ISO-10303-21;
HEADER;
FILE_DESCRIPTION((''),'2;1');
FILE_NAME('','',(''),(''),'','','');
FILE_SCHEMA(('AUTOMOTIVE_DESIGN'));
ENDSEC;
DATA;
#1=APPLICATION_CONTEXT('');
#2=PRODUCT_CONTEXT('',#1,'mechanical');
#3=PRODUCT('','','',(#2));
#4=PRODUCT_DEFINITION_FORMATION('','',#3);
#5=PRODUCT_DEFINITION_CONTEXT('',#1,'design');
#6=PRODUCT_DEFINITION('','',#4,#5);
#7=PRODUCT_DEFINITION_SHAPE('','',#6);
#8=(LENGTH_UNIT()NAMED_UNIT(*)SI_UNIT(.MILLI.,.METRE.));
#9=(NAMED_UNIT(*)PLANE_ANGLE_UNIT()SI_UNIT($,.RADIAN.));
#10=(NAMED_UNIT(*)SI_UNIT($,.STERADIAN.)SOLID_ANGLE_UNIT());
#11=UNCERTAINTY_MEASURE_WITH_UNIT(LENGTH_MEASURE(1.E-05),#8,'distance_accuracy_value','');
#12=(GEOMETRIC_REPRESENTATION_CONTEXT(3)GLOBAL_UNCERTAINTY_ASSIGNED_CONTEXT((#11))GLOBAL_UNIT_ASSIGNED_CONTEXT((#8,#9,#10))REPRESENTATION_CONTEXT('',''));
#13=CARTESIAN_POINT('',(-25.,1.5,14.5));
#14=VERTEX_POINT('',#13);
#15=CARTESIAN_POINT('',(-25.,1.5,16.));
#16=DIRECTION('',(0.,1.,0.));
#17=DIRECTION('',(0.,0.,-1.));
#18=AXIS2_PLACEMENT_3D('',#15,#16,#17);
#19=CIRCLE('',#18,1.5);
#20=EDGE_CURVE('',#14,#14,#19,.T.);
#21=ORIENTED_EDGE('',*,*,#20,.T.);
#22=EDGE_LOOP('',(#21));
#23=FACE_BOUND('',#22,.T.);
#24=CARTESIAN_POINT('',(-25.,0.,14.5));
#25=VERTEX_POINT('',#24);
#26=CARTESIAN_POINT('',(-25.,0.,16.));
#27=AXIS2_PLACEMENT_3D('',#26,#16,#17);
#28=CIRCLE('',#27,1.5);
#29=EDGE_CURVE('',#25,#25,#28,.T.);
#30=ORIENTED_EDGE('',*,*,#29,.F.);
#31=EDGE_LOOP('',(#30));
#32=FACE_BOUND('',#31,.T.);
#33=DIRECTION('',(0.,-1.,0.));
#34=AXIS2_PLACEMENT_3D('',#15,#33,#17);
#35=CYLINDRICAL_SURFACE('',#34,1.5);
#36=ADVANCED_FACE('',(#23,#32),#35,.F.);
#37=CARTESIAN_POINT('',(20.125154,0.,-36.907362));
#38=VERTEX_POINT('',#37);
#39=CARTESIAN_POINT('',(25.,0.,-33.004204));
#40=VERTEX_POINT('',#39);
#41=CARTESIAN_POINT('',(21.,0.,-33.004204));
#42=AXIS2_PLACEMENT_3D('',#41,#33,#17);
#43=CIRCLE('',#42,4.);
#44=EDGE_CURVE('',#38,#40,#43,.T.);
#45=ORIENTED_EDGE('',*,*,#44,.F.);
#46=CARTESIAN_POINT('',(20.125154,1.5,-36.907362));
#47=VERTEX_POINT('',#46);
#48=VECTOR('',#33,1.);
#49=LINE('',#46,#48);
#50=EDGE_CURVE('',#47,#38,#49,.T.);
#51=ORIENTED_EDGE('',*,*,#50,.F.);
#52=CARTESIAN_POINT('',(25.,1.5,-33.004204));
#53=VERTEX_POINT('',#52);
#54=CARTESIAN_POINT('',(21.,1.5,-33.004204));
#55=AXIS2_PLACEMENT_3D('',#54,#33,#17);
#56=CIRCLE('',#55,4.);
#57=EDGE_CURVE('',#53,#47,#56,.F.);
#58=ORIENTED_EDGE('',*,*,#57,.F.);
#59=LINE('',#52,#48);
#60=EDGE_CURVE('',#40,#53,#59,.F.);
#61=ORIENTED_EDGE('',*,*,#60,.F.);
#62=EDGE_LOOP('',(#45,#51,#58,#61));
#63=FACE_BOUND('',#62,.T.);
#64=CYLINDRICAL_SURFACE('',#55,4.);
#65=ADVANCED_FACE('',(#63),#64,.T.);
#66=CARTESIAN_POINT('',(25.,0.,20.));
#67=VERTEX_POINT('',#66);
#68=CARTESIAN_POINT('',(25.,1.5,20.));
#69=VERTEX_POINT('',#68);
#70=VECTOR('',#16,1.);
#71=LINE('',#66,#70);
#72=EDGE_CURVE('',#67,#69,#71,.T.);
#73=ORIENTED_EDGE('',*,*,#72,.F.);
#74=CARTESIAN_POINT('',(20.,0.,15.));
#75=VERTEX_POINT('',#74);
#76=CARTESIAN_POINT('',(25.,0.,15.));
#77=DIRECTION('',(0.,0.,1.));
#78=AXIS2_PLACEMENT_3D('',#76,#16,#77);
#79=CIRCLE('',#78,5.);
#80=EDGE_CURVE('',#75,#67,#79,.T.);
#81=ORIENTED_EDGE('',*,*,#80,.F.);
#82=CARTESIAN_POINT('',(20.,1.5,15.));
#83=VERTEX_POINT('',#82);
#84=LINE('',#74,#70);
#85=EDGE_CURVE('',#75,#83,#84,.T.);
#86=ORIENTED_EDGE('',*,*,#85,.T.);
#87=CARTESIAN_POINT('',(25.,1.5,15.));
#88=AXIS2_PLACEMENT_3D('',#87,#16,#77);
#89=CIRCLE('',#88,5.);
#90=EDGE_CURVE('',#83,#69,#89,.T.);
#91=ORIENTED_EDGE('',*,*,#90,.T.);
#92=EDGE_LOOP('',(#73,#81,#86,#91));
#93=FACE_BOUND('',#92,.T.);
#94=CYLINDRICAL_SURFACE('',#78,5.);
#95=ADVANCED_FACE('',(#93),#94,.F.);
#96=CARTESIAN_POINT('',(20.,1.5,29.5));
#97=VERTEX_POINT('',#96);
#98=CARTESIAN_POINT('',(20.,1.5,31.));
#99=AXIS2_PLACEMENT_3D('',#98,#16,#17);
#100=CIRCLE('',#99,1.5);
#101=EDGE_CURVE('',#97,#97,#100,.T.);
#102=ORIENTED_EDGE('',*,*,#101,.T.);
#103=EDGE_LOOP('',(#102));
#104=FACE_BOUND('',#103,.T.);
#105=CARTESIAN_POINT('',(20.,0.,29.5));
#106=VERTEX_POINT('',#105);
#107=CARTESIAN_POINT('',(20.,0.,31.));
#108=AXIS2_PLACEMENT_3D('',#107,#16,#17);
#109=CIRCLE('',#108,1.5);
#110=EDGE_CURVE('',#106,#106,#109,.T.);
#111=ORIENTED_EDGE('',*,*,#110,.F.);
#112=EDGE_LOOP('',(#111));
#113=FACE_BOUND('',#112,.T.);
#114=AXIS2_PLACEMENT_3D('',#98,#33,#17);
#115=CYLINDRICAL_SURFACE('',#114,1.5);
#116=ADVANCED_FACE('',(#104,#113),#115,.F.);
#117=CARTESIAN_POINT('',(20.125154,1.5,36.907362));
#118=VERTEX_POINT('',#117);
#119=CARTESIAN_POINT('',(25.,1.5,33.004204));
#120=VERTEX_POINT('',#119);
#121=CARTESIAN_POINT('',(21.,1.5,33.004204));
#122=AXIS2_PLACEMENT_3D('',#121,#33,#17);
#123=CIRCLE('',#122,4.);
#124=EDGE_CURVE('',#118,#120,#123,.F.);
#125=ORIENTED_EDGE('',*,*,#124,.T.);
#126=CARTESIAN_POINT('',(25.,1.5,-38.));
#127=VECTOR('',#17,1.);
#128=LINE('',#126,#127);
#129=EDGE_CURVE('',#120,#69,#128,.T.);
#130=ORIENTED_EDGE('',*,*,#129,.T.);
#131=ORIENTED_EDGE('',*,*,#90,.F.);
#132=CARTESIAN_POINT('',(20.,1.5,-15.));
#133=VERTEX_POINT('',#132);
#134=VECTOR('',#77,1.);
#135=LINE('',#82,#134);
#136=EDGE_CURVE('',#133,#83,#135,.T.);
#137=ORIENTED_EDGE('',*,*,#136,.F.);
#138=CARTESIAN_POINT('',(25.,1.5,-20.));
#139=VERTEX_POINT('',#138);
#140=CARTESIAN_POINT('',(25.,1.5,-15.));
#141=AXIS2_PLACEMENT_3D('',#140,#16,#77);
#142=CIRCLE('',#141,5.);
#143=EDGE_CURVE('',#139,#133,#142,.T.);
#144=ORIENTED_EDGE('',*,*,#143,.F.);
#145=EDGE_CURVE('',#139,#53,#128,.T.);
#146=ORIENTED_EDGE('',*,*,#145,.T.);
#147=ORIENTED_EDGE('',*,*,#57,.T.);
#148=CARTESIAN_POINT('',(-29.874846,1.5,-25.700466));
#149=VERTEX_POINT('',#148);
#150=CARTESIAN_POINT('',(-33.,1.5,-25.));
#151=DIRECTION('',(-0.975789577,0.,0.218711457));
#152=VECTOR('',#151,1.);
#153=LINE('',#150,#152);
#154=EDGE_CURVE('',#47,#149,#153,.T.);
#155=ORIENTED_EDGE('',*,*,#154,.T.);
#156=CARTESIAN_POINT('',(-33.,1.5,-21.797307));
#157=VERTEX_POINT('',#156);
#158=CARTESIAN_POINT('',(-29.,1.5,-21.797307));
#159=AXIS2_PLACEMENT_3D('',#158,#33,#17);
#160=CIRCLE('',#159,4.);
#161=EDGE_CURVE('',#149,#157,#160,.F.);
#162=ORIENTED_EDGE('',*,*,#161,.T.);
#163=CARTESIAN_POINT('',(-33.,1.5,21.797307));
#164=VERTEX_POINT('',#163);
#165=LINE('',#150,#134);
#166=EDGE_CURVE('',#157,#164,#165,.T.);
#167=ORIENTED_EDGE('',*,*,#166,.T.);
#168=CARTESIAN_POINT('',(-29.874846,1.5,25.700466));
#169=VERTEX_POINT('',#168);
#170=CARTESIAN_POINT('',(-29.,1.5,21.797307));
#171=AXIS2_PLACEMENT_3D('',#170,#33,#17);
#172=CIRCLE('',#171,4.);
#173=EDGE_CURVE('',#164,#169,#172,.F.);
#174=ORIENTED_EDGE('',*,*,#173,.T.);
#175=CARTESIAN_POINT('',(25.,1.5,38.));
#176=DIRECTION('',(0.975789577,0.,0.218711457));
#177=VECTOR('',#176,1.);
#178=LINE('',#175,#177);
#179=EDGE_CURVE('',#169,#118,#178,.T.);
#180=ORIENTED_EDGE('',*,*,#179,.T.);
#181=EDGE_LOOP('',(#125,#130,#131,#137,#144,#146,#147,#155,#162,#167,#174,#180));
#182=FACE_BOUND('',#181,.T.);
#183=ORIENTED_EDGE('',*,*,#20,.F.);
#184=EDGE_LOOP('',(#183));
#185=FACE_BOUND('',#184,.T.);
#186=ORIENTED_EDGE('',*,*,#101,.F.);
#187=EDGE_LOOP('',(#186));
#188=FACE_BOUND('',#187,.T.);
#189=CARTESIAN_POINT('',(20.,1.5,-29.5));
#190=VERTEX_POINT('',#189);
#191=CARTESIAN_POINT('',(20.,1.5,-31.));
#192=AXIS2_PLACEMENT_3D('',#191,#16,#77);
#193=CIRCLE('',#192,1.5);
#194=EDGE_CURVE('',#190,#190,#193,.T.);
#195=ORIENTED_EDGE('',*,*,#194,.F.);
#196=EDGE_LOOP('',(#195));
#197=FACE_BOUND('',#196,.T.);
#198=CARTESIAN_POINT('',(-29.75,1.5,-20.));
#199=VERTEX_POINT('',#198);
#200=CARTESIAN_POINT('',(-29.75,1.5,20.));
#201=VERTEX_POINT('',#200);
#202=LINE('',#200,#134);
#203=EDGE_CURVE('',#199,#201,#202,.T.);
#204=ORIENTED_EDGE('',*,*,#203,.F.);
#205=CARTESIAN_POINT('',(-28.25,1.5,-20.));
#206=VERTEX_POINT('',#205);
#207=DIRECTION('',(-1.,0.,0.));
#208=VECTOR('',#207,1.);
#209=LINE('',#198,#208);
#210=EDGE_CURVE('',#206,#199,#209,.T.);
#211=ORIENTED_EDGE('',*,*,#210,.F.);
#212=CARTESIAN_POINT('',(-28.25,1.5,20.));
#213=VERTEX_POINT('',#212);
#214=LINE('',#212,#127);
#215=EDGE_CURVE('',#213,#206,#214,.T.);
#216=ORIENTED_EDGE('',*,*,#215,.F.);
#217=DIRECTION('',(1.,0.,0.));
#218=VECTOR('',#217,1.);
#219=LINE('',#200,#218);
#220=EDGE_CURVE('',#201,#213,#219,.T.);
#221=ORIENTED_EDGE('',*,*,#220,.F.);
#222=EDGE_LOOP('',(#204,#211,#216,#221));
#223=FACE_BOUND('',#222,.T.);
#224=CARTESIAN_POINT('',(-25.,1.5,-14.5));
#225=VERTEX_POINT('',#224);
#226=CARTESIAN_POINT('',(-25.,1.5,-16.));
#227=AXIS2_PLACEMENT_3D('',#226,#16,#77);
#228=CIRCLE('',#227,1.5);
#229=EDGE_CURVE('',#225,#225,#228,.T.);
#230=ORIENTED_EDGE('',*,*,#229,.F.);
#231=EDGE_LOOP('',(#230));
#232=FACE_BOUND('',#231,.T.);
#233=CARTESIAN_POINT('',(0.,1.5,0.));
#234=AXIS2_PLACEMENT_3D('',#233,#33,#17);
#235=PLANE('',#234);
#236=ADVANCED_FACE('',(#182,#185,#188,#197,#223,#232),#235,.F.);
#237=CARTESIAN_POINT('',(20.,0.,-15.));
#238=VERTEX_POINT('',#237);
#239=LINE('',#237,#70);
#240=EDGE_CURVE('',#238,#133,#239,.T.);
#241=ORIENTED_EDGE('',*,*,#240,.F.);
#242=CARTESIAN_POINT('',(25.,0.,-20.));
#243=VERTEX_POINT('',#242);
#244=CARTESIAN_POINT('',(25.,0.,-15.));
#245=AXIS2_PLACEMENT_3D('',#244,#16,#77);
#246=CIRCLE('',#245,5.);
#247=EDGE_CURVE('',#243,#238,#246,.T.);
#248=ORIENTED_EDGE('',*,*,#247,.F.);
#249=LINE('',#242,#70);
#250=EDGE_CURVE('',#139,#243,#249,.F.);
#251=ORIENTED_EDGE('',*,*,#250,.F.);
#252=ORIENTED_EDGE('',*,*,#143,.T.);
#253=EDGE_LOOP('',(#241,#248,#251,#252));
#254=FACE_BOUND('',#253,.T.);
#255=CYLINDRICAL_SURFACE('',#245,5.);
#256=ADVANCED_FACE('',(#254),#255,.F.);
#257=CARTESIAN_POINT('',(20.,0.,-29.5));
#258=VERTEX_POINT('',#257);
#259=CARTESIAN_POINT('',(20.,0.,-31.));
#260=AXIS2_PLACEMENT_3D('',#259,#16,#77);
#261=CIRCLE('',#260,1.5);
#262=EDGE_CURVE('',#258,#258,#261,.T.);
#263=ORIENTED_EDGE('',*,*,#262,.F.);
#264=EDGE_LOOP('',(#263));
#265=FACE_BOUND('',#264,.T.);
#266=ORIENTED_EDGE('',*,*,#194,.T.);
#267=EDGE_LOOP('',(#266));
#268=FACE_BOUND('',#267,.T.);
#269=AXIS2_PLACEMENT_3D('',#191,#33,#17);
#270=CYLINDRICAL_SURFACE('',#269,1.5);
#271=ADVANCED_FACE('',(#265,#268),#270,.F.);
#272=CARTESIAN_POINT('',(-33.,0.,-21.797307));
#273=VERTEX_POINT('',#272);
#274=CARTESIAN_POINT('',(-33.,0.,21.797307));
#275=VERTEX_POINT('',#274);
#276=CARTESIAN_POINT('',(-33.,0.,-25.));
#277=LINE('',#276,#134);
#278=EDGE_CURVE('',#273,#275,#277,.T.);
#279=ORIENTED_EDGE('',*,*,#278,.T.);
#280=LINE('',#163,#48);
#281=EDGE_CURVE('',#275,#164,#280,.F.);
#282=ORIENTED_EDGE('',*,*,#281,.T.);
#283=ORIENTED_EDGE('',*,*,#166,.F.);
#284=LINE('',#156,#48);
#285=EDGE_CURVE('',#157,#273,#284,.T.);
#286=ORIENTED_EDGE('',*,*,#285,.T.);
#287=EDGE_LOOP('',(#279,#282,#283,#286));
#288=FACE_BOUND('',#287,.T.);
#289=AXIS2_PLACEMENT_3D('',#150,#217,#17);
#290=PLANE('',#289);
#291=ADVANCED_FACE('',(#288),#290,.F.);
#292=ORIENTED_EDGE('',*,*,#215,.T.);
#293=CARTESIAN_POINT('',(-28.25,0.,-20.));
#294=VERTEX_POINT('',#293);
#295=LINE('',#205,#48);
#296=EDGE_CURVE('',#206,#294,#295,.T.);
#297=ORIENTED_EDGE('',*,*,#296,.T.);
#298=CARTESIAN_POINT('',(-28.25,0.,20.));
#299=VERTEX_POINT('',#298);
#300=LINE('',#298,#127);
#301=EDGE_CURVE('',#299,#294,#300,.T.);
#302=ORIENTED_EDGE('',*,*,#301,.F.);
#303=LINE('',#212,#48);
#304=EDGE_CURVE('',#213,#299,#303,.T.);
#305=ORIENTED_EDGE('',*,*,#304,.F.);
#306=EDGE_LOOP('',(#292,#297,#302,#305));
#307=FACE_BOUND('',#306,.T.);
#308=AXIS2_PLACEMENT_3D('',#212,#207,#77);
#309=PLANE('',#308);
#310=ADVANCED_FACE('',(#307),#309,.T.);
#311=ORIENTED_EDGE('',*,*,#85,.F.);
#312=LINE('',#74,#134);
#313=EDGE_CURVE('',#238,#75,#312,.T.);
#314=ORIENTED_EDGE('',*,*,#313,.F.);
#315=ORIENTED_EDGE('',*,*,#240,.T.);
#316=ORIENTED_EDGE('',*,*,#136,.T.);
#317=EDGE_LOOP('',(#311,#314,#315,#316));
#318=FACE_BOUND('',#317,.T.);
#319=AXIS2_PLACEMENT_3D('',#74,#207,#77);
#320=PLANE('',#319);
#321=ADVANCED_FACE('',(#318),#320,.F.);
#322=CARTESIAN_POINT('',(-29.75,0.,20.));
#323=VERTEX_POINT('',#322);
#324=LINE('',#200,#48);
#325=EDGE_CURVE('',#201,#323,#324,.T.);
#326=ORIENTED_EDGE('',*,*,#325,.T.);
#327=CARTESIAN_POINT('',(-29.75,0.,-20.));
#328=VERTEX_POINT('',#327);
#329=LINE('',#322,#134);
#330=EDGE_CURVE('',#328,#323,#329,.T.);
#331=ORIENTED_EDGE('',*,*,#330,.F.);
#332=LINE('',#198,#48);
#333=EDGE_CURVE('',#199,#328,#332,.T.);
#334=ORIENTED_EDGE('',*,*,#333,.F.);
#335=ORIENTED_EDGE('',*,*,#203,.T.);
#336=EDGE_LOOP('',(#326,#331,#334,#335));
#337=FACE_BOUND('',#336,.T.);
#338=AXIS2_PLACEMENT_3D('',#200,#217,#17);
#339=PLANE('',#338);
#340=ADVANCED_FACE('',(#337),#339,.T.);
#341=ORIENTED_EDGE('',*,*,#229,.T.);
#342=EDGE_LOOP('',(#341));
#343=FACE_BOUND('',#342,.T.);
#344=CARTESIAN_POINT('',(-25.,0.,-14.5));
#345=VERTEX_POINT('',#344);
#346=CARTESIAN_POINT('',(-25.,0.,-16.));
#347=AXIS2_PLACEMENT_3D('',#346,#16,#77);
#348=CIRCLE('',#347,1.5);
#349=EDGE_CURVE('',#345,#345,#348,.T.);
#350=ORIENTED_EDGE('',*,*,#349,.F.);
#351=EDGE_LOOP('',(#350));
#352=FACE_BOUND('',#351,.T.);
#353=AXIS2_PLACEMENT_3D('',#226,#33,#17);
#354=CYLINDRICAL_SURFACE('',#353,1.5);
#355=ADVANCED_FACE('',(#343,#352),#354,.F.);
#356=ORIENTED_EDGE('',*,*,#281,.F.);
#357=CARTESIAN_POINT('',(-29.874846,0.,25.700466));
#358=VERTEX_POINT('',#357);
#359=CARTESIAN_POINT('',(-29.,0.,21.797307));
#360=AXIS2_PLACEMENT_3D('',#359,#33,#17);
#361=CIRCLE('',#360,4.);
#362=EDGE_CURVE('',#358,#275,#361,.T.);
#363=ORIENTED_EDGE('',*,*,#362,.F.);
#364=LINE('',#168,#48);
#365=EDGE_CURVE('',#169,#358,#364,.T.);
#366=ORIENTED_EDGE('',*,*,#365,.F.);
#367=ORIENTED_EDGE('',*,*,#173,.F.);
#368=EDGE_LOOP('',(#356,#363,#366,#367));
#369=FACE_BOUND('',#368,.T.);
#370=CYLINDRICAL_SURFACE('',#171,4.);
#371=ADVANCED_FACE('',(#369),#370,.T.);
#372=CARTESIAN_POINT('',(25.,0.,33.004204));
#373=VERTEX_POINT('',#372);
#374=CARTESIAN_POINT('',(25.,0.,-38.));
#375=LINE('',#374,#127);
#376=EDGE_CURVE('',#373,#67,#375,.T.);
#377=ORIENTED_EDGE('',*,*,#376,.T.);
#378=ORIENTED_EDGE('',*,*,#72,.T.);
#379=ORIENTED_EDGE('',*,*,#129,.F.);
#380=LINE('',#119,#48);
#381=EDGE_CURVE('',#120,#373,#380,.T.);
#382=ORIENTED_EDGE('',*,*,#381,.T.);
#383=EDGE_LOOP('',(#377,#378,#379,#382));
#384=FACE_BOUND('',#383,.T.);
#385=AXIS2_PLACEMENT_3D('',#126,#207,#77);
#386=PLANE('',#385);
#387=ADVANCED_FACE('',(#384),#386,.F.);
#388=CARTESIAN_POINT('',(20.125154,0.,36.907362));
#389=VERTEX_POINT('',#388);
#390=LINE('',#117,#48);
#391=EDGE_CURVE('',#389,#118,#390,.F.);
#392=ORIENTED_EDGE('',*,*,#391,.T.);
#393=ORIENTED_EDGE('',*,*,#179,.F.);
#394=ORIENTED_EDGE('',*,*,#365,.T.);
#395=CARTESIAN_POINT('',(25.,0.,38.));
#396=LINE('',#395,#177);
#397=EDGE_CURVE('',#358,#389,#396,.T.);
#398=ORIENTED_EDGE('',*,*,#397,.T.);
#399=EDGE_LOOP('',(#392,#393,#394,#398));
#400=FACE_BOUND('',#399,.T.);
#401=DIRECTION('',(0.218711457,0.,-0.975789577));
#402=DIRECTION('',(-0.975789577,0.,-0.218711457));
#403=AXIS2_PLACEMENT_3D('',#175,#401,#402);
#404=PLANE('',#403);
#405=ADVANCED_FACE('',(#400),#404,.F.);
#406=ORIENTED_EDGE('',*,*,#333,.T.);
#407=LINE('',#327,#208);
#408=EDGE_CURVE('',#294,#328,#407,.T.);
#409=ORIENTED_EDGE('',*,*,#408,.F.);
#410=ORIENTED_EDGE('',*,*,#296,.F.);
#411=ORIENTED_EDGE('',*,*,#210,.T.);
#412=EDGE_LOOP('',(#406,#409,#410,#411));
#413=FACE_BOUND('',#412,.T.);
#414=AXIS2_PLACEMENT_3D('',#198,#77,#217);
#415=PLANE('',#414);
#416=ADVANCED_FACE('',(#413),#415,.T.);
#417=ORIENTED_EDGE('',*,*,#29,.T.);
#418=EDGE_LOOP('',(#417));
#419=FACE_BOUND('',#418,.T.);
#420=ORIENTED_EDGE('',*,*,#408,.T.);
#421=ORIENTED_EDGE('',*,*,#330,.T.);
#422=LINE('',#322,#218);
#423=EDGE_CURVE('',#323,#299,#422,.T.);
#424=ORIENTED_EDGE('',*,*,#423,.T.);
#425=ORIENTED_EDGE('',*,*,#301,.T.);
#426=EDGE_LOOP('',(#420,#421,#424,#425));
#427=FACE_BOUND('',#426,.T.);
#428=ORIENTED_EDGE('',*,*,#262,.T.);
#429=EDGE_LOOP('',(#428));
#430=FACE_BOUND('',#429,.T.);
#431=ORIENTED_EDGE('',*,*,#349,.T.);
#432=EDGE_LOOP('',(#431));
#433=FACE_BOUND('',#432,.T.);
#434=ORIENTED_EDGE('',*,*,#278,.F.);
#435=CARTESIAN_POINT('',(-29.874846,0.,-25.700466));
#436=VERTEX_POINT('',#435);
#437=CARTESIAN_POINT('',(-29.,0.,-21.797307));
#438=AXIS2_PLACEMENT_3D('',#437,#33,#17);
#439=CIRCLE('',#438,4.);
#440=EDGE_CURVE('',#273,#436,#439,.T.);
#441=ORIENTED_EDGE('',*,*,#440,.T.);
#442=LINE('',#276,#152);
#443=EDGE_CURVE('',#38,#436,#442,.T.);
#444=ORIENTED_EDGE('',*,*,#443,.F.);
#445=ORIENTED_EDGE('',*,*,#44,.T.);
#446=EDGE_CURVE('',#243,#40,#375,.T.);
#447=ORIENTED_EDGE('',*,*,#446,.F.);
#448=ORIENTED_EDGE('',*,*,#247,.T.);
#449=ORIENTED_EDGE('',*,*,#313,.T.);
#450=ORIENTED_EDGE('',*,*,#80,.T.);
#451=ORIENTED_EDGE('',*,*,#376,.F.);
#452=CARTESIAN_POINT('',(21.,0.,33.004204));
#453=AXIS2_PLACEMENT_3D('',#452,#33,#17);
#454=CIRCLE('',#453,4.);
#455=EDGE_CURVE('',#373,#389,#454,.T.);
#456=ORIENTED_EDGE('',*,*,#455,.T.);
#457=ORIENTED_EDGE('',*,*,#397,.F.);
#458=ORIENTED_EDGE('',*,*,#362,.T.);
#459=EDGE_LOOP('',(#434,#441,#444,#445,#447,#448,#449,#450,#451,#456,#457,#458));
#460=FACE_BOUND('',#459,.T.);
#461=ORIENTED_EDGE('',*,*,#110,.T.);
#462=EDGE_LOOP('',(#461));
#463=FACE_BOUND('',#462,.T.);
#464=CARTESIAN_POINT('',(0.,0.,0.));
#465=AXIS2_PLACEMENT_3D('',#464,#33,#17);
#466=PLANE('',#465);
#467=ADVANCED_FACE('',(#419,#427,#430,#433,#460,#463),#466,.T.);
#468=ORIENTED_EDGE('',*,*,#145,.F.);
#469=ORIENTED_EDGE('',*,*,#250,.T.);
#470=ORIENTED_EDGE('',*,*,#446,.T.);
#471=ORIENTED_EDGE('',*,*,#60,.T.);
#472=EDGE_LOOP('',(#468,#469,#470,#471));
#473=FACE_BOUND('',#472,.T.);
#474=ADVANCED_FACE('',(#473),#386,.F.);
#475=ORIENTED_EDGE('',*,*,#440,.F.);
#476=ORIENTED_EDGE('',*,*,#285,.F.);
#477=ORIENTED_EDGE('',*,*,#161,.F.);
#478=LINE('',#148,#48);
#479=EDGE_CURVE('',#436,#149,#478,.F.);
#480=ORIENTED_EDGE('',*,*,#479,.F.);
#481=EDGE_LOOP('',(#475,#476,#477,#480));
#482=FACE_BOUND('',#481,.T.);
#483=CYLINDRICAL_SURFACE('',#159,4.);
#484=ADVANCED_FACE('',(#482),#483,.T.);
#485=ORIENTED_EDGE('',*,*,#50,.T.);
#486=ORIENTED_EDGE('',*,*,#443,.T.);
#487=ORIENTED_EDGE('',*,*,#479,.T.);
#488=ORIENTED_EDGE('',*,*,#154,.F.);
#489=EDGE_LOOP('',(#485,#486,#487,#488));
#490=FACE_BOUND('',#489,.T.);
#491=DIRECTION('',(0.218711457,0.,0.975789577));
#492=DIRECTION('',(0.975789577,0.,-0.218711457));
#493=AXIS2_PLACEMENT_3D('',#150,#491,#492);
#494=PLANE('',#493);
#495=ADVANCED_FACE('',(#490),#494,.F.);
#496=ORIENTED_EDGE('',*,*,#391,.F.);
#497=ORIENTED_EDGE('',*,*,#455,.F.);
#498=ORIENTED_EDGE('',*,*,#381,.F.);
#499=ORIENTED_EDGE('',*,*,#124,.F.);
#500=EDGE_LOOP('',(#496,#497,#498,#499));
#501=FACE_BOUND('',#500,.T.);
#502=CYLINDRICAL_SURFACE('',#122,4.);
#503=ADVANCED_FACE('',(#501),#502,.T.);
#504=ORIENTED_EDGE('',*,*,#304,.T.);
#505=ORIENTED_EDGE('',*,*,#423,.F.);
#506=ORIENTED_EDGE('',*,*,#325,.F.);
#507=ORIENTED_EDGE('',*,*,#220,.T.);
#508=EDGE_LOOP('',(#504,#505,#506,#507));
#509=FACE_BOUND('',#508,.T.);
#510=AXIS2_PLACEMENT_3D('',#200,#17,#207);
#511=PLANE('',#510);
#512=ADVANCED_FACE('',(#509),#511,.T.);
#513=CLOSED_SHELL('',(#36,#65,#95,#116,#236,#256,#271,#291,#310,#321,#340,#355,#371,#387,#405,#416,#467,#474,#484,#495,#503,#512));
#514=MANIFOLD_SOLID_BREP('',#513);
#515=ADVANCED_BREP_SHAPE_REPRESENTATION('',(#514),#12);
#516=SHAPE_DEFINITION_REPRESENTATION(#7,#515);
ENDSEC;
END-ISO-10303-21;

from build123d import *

# Parameters (mm, degrees)
SKETCH_1_R          = 1.5
SKETCH_1_W          = 1.5
SKETCH_1_H          = 40
EXTRUDE_1_DEPTH     = 1.5
CUT_EXTRUDE_2_DEPTH = 51.351266121
FILLET_1_R          = 4


with BuildPart() as part:
    # 草图1 → 凸台-拉伸1 (new body)
    with BuildSketch(Plane(origin=(0, 0, 0), x_dir=(1, 0, 0), z_dir=(0, 1, 0))):
        Polygon((-33, 25), (-33, -25), (25, -38), (25, 38), align=None)
        with Locations(Location((-25, 16, 0), (0, 0, 270))):
            Circle(SKETCH_1_R, mode=Mode.SUBTRACT)
        with Locations(Location((20, 31, 0), (0, 0, 270))):
            Circle(SKETCH_1_R, mode=Mode.SUBTRACT)
        with Locations(Location((20, -31, 0), (0, 0, 90))):
            Circle(SKETCH_1_R, mode=Mode.SUBTRACT)
        with Locations(Location((-25, -16, 0), (0, 0, 90))):
            Circle(SKETCH_1_R, mode=Mode.SUBTRACT)
        with Locations((-29, 0)):
            Rectangle(SKETCH_1_W, SKETCH_1_H, mode=Mode.SUBTRACT)
    extrude(amount=EXTRUDE_1_DEPTH)

    # 草图3 → 切除-拉伸2 (cut, through all)
    with BuildSketch(Plane(origin=(0, 1.5, 0), x_dir=(1, 0, 0), z_dir=(0, 1, 0))):
        with BuildLine():
            Line((20, -15), (20, 15))
            ThreePointArc((20, 15), (25, 20), (30, 15))
            Line((30, 15), (30, -15))
            ThreePointArc((30, -15), (25, -20), (20, -15))
        make_face()
    extrude(amount=-CUT_EXTRUDE_2_DEPTH, mode=Mode.SUBTRACT)

    # 圆角1
    fillet_1_edges = [part.edges().sort_by_distance(p)[0] for p in [
        (25, 0.75, -38),
        (25, 0.75, 38),
        (-33, 0.75, 25),
        (-33, 0.75, -25),
    ]]
    fillet(fillet_1_edges, radius=FILLET_1_R)


solid = part.part
